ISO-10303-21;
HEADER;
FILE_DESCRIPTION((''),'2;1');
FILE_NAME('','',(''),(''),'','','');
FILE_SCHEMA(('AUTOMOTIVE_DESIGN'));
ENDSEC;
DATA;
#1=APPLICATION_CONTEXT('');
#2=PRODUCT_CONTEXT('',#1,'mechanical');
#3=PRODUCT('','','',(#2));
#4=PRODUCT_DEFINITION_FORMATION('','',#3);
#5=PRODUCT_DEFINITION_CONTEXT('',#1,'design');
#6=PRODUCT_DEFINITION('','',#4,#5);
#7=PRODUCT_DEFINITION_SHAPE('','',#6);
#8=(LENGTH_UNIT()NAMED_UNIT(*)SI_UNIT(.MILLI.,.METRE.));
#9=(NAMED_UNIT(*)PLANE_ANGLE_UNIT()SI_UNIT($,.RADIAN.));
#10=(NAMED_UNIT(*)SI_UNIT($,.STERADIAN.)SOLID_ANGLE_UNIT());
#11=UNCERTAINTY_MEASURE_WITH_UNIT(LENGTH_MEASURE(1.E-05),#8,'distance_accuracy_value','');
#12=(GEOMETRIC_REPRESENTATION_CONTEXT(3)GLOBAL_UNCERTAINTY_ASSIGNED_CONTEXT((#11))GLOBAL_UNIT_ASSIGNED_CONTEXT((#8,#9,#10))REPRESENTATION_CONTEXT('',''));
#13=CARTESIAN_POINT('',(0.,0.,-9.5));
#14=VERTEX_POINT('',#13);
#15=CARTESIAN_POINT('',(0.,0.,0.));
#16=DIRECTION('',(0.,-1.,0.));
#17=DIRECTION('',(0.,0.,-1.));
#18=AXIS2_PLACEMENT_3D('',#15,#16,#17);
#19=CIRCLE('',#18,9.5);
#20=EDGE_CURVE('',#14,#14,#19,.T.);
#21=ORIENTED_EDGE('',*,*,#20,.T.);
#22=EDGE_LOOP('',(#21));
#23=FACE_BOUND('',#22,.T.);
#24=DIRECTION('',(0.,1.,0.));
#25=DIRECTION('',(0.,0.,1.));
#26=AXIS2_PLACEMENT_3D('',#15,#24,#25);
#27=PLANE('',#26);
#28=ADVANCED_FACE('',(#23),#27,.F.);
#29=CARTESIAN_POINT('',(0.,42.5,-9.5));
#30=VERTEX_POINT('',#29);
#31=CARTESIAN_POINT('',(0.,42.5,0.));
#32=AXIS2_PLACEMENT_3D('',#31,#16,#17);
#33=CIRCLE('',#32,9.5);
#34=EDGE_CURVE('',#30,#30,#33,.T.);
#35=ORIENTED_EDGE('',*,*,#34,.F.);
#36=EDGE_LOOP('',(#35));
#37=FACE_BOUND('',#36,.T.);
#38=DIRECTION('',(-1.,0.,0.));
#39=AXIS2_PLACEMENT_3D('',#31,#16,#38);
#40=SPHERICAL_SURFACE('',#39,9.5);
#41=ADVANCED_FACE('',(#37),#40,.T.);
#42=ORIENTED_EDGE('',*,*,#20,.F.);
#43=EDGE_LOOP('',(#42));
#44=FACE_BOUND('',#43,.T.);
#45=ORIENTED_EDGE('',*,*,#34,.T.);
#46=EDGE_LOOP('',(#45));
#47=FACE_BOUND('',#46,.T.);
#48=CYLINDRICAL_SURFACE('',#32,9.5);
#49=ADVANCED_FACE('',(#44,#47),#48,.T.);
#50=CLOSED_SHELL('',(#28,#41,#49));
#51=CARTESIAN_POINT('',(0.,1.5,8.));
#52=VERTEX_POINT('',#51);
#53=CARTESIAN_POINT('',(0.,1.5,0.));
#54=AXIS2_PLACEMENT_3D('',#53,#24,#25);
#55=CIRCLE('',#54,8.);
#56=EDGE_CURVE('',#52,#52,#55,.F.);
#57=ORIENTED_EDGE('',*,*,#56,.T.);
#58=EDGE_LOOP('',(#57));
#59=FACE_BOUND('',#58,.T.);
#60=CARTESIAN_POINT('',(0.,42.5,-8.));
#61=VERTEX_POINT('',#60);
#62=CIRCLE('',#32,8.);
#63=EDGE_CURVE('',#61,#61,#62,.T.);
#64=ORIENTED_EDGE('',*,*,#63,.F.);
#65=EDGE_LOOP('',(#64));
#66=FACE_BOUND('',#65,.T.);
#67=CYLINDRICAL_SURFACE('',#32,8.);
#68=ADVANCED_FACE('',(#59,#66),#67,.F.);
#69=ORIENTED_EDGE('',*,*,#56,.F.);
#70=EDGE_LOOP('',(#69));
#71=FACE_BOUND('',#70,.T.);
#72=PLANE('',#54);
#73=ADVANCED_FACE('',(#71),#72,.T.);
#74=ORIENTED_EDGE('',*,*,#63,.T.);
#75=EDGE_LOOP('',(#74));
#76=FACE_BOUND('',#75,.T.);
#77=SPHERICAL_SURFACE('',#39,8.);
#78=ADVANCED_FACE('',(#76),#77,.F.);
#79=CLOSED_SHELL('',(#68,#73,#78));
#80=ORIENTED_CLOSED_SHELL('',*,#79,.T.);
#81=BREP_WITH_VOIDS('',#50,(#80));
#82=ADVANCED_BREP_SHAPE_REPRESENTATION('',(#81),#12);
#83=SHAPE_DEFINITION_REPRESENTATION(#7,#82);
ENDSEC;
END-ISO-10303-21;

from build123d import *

# Parameters (mm, degrees)
SHELL1_T = 1.5


with BuildPart() as part:
    # Sketch1 → Revolve6 (revolve)
    with BuildSketch(Plane.XY):
        with BuildLine():
            Line((0, 42.5), (0, 52))
            ThreePointArc((0, 52), (-6.717514421, 49.217514421), (-9.5, 42.5))
            Line((-9.5, 42.5), (-9.5, 0))
            Line((-9.5, 0), (0, 0))
            Line((0, 0), (0, 42.5))
        make_face()
    revolve(axis=Axis((0, 42.5, 0), (0, 1, 0)))

    # Shell1 (no face opened: a closed hollow body)
    add(offset(amount=-SHELL1_T, mode=Mode.PRIVATE), mode=Mode.SUBTRACT)


solid = part.part
